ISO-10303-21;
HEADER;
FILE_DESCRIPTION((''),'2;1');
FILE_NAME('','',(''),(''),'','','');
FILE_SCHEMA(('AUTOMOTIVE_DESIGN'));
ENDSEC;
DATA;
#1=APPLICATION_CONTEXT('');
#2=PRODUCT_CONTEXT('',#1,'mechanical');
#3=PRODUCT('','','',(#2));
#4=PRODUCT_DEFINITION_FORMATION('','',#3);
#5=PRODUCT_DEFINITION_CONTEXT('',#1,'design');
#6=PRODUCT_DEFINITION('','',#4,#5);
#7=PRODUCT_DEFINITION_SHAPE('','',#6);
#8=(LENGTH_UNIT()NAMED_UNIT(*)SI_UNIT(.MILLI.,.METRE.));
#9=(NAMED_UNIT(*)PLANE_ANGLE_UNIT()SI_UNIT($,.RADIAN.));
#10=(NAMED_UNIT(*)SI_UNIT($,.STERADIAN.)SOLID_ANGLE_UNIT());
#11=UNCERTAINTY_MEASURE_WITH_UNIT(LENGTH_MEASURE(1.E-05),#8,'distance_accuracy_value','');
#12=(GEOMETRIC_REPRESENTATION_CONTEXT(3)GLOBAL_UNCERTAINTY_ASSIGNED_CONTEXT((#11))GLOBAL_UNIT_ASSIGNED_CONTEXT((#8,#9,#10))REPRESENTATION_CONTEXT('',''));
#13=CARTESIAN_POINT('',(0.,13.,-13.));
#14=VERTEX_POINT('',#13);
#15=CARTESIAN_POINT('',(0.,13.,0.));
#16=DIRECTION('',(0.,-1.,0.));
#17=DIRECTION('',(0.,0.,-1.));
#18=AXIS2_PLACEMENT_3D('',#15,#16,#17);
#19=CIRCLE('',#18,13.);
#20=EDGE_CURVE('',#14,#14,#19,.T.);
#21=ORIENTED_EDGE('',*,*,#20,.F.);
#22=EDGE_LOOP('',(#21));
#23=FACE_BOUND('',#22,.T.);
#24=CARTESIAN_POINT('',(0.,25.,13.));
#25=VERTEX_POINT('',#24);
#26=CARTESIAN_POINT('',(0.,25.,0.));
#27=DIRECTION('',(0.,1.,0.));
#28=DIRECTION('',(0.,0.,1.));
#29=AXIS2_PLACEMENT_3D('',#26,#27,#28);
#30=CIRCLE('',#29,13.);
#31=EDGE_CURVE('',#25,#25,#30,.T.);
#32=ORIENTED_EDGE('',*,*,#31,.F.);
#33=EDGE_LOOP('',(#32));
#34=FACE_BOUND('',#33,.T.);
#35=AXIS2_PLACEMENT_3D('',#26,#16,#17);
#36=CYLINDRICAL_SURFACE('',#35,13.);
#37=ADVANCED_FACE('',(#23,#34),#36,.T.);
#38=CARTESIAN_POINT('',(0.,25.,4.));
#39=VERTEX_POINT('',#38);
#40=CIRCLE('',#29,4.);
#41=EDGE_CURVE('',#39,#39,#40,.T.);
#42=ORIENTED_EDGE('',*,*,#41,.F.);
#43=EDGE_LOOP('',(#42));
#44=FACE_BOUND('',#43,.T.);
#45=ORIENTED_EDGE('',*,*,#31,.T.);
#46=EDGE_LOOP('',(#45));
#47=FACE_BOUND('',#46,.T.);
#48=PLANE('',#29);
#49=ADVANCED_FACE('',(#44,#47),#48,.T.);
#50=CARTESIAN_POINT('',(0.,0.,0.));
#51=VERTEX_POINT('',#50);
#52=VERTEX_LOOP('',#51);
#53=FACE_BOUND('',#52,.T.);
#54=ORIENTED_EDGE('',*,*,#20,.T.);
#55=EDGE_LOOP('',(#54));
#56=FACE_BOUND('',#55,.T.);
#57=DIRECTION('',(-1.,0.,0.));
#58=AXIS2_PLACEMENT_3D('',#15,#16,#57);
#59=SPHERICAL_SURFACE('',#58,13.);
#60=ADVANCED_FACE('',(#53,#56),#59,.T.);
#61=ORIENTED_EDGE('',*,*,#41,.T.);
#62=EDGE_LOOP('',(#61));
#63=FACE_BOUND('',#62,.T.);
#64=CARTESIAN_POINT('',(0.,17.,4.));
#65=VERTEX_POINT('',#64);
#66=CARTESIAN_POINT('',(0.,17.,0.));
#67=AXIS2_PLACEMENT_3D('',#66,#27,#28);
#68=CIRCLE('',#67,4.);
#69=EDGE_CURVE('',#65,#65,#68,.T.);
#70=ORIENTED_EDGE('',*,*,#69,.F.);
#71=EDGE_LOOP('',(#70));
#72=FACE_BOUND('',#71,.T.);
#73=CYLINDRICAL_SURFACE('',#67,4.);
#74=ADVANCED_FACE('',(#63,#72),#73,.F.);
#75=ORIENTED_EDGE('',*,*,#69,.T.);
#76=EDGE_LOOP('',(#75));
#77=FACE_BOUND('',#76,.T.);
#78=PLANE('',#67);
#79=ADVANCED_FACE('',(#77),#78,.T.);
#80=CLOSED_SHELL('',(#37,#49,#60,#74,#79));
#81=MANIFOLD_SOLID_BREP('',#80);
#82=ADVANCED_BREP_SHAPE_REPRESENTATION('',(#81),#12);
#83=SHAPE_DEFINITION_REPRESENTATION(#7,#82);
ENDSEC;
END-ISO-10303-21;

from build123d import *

# Parameters (mm, degrees)
SKETCH1_R           = 13
BOSS_EXTRUDE1_DEPTH = 25
SKETCH2_R           = 4
CUT_EXTRUDE1_DEPTH  = 8
SKETCH4_W           = 4.368412871
SKETCH4_H           = 18.958156908


with BuildPart() as part:
    # Sketch1 → Boss-Extrude1 (new body)
    with BuildSketch(Plane(origin=(0, 0, 0), x_dir=(1, 0, 0), z_dir=(0, 1, 0))):
        with Locations(Location((0, 0, 0), (0, 0, 270))):
            Circle(SKETCH1_R)
    extrude(amount=BOSS_EXTRUDE1_DEPTH)

    # Sketch2 → Cut-Extrude1 (cut)
    with BuildSketch(Plane(origin=(0, 25, 0), x_dir=(1, 0, 0), z_dir=(0, 1, 0))):
        with Locations(Location((0, 0, 0), (0, 0, 270))):
            Circle(SKETCH2_R)
    extrude(amount=-CUT_EXTRUDE1_DEPTH, mode=Mode.SUBTRACT)

    # Sketch4 → Cut-Revolve1 (revolve, cut)
    with BuildSketch(Plane.XY, mode=Mode.PRIVATE) as cut_revolve1_sk:
        with BuildLine():
            ThreePointArc((0, 0), (-9.192388155, 3.807611845), (-13, 13))
            Line((-13, 13), (-13, -5.958156908))
            Line((-13, -5.958156908), (0, -5.958156908))
            Line((0, -5.958156908), (0, 0))
        make_face()
        with Locations((-15.184206436, 3.520921546)):
            Rectangle(SKETCH4_W, SKETCH4_H)
    revolve(cut_revolve1_sk.sketch.rotate(Axis((0, -5.958156908, 0), (0, 1, 0)), 270), axis=Axis((0, -5.958156908, 0), (0, 1, 0)), mode=Mode.SUBTRACT)


solid = part.part
